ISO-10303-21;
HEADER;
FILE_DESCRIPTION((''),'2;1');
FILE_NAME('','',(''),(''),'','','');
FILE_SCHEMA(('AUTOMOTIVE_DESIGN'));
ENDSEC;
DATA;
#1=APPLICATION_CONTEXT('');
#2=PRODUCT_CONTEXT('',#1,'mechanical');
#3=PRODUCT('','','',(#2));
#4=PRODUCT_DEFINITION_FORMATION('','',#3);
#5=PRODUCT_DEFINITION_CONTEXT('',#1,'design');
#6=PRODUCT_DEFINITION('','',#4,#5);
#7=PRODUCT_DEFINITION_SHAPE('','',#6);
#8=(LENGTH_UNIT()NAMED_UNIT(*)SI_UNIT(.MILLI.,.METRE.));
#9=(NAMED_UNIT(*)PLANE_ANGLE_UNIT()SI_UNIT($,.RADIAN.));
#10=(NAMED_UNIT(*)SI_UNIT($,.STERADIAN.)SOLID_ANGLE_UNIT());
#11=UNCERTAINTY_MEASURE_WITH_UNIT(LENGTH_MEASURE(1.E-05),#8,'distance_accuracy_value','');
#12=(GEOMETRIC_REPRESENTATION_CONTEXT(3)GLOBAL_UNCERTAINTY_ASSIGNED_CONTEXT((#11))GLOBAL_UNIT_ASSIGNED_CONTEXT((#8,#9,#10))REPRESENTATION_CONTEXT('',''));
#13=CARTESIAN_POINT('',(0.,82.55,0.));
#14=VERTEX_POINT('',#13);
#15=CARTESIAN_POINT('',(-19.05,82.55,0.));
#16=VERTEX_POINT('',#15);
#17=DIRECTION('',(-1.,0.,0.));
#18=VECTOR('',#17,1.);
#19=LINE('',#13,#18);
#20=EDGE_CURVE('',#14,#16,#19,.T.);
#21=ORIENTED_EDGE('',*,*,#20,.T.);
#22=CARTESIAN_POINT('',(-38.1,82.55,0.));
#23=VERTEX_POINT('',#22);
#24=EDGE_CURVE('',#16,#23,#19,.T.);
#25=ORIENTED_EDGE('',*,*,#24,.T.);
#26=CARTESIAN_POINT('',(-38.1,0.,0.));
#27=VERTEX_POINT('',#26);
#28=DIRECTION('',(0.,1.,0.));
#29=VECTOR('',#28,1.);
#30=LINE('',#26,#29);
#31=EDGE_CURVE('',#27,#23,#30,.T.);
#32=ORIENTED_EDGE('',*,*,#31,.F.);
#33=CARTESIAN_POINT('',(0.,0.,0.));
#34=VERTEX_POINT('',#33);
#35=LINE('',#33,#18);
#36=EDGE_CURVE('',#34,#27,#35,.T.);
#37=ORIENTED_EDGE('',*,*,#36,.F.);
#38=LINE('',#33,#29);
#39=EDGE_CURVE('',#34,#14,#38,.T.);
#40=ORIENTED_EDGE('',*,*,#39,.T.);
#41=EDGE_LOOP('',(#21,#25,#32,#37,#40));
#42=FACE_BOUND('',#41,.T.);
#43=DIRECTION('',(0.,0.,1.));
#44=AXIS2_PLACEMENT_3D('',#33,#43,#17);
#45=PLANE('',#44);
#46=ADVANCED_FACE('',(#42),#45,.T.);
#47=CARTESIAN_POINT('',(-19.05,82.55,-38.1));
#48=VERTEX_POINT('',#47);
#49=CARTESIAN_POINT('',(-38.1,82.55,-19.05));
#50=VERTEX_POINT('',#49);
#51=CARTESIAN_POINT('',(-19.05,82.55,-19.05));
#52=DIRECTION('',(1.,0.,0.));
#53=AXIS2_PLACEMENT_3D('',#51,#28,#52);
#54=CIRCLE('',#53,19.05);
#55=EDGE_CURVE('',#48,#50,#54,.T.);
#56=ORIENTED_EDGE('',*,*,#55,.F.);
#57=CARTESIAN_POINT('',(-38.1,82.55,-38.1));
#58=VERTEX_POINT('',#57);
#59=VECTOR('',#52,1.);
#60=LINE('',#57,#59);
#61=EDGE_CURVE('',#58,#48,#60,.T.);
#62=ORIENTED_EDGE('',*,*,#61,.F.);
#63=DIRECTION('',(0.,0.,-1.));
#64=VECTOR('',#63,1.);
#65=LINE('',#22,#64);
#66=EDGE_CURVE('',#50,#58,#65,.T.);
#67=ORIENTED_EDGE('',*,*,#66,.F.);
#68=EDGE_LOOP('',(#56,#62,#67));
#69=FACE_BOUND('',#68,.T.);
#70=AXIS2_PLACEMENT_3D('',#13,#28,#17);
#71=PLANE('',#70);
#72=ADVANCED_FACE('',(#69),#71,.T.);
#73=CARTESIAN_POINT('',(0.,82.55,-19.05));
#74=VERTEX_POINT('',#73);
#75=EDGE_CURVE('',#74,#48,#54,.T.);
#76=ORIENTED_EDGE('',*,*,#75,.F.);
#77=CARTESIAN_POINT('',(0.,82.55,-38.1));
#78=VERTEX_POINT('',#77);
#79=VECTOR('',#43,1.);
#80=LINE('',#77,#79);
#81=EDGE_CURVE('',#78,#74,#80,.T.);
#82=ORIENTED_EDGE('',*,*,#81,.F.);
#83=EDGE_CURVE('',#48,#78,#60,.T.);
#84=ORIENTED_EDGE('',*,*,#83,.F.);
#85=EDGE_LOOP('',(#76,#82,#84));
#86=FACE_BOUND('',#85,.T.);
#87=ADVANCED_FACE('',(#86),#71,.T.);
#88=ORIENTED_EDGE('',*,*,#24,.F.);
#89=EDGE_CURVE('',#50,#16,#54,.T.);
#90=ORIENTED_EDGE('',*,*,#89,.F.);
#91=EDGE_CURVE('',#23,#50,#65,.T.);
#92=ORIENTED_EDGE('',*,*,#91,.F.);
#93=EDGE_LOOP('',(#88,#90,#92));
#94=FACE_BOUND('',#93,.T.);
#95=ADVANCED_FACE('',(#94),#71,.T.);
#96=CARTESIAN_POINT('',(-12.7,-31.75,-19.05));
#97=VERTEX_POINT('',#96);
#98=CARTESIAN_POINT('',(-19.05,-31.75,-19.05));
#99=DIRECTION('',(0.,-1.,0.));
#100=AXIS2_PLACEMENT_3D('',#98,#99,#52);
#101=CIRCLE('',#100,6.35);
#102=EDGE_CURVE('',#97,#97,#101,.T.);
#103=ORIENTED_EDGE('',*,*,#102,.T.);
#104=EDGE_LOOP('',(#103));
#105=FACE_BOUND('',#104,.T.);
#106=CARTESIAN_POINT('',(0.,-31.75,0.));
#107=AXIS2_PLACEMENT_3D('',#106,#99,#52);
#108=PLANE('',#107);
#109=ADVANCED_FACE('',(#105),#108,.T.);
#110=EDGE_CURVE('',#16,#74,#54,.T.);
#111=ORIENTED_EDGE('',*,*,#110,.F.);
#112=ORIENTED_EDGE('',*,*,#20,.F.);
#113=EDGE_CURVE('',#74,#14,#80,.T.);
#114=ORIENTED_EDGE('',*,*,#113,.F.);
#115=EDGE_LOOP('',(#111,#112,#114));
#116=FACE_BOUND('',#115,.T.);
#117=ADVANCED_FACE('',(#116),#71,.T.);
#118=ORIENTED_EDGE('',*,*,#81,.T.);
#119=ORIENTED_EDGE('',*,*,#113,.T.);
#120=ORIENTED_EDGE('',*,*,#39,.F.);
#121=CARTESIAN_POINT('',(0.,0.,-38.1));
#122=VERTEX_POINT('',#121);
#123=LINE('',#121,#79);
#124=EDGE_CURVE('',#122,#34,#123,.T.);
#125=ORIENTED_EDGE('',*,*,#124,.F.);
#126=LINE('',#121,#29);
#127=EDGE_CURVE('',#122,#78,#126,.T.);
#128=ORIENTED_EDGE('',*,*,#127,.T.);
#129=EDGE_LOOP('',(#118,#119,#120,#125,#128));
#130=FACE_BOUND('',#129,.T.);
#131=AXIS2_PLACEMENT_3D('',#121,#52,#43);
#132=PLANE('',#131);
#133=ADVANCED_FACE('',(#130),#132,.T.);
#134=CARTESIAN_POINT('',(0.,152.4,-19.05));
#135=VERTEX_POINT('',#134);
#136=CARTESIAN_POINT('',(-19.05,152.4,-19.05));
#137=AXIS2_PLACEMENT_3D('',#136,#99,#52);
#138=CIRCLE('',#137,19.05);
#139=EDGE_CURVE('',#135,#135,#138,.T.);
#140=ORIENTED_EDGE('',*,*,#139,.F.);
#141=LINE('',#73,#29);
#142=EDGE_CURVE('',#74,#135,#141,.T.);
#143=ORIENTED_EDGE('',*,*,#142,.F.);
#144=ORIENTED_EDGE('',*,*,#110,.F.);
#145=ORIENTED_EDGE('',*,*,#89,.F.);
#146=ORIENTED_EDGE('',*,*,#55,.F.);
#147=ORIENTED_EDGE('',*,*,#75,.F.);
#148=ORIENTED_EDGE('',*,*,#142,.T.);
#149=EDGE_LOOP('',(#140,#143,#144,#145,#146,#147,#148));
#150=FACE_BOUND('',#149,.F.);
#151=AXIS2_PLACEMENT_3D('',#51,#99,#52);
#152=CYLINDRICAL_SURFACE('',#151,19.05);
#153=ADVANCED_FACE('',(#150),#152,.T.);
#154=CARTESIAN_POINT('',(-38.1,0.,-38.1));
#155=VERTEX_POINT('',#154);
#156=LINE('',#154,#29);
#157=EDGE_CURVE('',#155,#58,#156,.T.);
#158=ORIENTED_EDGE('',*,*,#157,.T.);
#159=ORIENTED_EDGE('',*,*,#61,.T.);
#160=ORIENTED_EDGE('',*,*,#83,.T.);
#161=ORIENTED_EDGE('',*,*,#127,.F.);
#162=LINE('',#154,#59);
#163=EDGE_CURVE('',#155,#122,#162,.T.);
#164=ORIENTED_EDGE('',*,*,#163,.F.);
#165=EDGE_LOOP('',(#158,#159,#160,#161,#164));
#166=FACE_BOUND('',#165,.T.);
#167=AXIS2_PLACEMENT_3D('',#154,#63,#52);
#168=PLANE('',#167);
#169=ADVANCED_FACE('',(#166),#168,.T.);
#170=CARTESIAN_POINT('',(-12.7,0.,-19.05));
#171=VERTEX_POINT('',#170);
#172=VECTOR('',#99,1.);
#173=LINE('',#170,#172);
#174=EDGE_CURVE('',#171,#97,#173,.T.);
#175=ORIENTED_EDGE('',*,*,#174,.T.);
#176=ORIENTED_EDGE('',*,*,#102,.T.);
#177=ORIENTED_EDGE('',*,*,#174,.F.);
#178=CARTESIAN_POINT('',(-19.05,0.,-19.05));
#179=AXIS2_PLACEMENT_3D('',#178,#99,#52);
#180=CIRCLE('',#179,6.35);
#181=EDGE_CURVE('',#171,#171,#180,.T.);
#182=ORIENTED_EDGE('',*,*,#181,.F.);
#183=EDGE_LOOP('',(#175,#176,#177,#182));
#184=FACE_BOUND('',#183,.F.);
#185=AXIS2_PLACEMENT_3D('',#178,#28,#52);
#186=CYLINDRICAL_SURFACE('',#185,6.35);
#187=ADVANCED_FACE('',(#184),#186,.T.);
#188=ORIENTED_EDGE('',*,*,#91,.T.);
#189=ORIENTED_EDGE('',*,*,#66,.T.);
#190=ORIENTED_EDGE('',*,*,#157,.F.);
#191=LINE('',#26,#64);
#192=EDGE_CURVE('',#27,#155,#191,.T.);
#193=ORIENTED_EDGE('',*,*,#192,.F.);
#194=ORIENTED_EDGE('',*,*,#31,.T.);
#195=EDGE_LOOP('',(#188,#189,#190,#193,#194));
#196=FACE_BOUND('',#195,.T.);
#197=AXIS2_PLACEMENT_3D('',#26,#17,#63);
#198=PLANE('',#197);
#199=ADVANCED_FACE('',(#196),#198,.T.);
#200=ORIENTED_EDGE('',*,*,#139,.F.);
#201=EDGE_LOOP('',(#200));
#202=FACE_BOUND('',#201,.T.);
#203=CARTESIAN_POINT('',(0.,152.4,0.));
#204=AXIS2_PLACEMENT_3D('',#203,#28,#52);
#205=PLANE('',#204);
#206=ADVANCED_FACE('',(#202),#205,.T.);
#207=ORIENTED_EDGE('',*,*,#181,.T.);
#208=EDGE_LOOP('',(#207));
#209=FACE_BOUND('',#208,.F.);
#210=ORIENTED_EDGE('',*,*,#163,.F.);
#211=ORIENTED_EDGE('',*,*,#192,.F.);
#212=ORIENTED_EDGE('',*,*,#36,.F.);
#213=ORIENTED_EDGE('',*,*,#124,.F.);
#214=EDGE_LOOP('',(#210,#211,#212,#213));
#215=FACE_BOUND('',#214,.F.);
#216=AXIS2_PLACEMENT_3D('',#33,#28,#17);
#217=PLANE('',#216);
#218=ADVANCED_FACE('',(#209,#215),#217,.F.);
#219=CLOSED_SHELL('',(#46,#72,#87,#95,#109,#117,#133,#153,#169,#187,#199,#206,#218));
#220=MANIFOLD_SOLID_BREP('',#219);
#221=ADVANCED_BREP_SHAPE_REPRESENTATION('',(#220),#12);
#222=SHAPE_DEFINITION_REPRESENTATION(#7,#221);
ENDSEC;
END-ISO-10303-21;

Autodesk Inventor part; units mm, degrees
ref_plane "YZ Plane" through (0, 0, 0) normal (1, 0, 0) x (0, 1, 0)
ref_plane "XZ Plane" through (0, 0, 0) normal (0, 1, 0) x (-1, 0, 0)
ref_plane "XY Plane" through (0, 0, 0) normal (0, 0, 1) x (1, 0, 0)
sketch "Sketch1" plane through (0, 0, 0) normal (0, 1, 0) x (-1, 0, 0)
  line L0 (0, 0) -> (38.1, 0)
  line L1 (38.1, 0) -> (38.1, -38.1)
  line L2 (38.1, -38.1) -> (0, -38.1)
  line L3 (0, -38.1) -> (0, 0)
  dimension "d0" = 38.1
  dimension "d1" = 38.1
extrude "Extrusion1" add sketch "Sketch1" along normal blind 82.55
sketch "Sketch2" plane through (0, 82.55, 0) normal (0, 1, 0) x (1, 0, 0)
  circle A0 centre (-19.05, 19.05) radius 19.05
  line L0 (-38.1, 0) -> (-38.1, 38.1) projected
  line L1 (-38.1, 38.1) -> (0, 38.1) projected
  point P0 (0, 0)
  dimension "d4" = 38.1
  dimension "d5" = 19.05
  dimension "d6" = 19.05
extrude "Extrusion2" add sketch "Sketch2" along normal blind 69.85 contours A0
sketch "Sketch3" plane through (0, 0, 0) normal (0, -1, 0) x (1, 0, 0)
  circle A0 centre (-19.05, -19.05) radius 6.35
  line L0 (0, 0) -> (-38.1, 0) projected
  line L1 (-38.1, 0) -> (-38.1, -38.1) projected
  dimension "d9" = 12.7
  dimension "d10" = 19.05
  dimension "d11" = 19.05
extrude "Extrusion3" add sketch "Sketch3" along normal blind 31.75
properties part number "articulation motor 300 to 1"
